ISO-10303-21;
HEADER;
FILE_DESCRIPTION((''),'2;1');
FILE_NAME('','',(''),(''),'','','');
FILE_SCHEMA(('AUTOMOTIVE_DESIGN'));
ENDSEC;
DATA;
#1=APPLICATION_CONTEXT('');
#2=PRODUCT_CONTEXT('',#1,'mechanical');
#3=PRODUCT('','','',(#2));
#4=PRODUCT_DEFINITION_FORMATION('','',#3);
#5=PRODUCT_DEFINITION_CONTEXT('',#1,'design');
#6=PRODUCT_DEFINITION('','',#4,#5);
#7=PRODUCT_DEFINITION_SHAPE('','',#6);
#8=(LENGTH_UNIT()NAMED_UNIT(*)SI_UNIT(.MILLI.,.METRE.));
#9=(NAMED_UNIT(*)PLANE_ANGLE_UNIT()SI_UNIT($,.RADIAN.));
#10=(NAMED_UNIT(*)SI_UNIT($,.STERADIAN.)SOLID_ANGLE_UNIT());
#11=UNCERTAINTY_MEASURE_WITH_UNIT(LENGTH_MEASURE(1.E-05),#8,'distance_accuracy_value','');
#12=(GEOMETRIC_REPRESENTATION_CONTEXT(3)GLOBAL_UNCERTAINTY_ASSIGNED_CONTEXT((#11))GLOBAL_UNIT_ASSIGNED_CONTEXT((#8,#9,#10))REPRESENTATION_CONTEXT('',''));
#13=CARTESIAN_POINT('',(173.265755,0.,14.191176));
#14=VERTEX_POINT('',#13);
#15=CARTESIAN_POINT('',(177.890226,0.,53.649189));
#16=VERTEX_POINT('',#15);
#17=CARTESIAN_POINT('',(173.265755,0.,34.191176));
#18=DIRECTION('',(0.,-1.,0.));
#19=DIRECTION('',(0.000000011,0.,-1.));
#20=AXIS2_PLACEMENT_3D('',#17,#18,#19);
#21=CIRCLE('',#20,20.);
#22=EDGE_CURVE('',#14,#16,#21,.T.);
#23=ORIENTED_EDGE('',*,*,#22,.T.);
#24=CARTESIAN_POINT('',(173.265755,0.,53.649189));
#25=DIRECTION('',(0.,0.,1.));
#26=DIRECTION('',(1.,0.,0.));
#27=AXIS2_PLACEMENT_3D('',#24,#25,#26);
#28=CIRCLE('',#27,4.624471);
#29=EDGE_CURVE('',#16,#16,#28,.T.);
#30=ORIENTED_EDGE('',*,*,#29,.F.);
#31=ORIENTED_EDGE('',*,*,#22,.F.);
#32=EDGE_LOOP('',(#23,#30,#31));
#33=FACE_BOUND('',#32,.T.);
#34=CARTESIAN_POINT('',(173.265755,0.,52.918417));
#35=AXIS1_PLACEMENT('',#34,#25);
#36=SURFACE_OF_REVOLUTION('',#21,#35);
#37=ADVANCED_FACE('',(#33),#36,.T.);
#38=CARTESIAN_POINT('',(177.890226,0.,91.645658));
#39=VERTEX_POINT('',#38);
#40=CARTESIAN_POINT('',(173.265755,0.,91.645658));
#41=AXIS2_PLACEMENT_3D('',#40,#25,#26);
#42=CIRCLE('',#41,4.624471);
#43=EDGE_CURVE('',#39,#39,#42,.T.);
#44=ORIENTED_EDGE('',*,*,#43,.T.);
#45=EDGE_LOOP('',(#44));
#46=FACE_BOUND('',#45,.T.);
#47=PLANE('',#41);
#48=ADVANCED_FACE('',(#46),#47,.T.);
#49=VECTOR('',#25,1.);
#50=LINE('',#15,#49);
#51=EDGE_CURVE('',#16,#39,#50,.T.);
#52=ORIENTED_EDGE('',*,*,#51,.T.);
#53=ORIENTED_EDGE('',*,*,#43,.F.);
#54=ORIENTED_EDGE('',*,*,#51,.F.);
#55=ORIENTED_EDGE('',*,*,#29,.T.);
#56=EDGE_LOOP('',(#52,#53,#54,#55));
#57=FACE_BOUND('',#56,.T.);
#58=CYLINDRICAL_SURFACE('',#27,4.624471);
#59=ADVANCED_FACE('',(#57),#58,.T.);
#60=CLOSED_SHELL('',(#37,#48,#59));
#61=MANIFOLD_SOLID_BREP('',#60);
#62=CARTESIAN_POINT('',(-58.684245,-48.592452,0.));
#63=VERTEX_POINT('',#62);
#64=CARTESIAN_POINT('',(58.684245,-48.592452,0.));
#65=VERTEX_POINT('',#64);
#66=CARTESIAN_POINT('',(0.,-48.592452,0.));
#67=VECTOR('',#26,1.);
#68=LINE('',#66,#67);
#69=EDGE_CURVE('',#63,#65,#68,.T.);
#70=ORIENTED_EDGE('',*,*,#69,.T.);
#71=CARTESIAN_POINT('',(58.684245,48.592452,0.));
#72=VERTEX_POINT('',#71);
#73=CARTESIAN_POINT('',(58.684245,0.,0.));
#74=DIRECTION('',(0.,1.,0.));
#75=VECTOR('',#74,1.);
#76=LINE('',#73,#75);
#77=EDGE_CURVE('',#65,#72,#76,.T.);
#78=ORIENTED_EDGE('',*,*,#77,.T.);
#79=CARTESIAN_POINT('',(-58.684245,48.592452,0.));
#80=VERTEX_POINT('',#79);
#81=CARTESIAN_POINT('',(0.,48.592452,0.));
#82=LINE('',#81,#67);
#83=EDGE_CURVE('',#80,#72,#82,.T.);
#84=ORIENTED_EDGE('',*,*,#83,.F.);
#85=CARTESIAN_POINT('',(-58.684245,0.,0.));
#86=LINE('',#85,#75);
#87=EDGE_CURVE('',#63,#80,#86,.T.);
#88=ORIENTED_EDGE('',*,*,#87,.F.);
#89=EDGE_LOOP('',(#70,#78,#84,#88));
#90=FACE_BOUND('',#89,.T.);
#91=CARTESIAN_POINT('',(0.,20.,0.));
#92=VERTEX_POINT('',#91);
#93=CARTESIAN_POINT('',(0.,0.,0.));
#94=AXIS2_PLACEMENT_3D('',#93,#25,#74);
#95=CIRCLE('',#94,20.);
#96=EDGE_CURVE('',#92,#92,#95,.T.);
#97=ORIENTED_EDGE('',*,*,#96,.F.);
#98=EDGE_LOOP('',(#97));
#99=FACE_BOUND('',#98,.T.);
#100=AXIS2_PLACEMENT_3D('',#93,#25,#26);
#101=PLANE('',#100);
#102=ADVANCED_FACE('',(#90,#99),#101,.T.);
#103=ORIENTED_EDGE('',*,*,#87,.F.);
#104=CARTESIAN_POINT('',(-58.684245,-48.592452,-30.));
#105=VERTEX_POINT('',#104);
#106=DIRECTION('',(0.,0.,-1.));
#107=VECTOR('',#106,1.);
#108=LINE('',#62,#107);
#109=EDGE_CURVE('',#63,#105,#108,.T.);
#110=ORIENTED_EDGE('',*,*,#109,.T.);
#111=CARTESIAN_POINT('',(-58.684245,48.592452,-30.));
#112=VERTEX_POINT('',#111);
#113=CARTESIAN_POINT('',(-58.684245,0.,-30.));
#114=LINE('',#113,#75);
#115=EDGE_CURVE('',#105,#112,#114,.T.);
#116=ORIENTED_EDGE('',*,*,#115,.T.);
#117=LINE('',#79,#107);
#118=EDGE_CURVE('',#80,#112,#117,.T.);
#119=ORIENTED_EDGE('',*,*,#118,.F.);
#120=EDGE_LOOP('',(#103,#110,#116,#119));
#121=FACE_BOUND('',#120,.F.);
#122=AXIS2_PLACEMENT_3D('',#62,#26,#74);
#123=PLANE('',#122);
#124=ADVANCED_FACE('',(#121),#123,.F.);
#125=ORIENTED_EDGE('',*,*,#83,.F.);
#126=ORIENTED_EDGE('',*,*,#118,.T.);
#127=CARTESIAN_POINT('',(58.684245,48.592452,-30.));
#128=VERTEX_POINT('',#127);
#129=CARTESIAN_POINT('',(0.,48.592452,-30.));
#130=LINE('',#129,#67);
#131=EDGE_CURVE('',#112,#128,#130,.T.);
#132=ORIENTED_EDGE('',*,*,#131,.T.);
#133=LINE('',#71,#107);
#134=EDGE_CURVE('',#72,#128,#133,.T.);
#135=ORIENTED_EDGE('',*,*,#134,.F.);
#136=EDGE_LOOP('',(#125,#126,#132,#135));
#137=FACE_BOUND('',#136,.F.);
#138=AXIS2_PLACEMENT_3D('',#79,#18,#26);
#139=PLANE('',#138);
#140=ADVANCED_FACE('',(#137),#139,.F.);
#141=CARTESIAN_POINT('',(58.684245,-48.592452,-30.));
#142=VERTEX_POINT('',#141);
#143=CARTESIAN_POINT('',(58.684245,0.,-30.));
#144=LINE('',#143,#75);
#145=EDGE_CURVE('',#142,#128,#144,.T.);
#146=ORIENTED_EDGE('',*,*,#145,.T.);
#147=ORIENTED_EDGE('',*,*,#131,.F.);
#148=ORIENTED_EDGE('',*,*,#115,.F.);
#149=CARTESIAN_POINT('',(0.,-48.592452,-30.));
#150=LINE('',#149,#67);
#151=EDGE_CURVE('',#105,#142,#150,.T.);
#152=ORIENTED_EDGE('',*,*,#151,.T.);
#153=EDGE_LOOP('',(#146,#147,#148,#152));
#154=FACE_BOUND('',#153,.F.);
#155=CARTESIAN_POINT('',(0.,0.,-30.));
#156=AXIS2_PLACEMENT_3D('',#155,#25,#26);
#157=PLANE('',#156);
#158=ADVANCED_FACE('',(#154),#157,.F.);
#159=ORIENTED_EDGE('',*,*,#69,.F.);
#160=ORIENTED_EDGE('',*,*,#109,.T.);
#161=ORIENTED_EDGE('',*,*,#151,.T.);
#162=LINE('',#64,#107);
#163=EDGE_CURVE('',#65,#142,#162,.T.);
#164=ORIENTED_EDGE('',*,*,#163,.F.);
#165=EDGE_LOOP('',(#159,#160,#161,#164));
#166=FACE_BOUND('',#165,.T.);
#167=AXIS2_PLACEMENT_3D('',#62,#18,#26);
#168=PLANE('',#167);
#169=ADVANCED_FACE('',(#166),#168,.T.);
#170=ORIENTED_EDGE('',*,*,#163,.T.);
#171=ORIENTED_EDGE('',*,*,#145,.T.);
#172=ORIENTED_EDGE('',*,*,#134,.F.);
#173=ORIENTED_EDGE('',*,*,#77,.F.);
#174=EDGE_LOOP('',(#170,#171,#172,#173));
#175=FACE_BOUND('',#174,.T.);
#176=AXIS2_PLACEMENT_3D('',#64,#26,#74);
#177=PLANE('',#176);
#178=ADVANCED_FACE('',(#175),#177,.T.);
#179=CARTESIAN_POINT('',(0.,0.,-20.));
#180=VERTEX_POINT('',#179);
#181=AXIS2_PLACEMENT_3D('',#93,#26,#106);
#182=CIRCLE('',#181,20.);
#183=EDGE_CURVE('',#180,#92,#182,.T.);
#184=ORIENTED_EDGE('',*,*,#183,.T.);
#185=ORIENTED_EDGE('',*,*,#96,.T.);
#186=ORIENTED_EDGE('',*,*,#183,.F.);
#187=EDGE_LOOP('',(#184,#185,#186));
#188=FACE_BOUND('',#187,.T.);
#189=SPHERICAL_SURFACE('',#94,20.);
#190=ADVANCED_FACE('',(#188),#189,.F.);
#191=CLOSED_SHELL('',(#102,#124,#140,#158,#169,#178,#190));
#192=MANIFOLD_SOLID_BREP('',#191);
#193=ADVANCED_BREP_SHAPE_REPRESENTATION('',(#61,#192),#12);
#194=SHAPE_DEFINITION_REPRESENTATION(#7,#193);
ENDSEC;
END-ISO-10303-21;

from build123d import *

# Parameters (mm, degrees)
F0_W     = 117.36849
F0_H     = 97.184904
F1_DEPTH = 30


with BuildPart() as f1:
    # F0 (on Top) → F1 (new body)
    with BuildSketch(Plane.XY):
        Rectangle(F0_W, F0_H)
    extrude(amount=-F1_DEPTH)

    # F2 (on Right) → F3 (revolve, cut)
    with BuildSketch(Plane.YZ):
        with BuildLine():
            Line((0, 20), (0, -20))
            ThreePointArc((0, -20), (20, 0), (0, 20))
        make_face()
    revolve(axis=Axis((0, 0, 0), (0, 0, -1)), mode=Mode.SUBTRACT)


with BuildPart() as f5:
    # F4 (on Front) → F5 (revolve)
    with BuildSketch(Plane.XZ):
        with BuildLine():
            Line((173.265755, 91.645658), (173.265755, 14.191176))
            ThreePointArc((173.265755, 14.191176), (193.129796, 31.863115), (177.890226, 53.649189))
            Line((177.890226, 53.649189), (177.890226, 91.645658))
            Line((177.890226, 91.645658), (173.265755, 91.645658))
        make_face()
    revolve(axis=Axis((173.265755, 0, 52.918417), (0, 0, 1)))


solid = Compound([f1.part, f5.part])
